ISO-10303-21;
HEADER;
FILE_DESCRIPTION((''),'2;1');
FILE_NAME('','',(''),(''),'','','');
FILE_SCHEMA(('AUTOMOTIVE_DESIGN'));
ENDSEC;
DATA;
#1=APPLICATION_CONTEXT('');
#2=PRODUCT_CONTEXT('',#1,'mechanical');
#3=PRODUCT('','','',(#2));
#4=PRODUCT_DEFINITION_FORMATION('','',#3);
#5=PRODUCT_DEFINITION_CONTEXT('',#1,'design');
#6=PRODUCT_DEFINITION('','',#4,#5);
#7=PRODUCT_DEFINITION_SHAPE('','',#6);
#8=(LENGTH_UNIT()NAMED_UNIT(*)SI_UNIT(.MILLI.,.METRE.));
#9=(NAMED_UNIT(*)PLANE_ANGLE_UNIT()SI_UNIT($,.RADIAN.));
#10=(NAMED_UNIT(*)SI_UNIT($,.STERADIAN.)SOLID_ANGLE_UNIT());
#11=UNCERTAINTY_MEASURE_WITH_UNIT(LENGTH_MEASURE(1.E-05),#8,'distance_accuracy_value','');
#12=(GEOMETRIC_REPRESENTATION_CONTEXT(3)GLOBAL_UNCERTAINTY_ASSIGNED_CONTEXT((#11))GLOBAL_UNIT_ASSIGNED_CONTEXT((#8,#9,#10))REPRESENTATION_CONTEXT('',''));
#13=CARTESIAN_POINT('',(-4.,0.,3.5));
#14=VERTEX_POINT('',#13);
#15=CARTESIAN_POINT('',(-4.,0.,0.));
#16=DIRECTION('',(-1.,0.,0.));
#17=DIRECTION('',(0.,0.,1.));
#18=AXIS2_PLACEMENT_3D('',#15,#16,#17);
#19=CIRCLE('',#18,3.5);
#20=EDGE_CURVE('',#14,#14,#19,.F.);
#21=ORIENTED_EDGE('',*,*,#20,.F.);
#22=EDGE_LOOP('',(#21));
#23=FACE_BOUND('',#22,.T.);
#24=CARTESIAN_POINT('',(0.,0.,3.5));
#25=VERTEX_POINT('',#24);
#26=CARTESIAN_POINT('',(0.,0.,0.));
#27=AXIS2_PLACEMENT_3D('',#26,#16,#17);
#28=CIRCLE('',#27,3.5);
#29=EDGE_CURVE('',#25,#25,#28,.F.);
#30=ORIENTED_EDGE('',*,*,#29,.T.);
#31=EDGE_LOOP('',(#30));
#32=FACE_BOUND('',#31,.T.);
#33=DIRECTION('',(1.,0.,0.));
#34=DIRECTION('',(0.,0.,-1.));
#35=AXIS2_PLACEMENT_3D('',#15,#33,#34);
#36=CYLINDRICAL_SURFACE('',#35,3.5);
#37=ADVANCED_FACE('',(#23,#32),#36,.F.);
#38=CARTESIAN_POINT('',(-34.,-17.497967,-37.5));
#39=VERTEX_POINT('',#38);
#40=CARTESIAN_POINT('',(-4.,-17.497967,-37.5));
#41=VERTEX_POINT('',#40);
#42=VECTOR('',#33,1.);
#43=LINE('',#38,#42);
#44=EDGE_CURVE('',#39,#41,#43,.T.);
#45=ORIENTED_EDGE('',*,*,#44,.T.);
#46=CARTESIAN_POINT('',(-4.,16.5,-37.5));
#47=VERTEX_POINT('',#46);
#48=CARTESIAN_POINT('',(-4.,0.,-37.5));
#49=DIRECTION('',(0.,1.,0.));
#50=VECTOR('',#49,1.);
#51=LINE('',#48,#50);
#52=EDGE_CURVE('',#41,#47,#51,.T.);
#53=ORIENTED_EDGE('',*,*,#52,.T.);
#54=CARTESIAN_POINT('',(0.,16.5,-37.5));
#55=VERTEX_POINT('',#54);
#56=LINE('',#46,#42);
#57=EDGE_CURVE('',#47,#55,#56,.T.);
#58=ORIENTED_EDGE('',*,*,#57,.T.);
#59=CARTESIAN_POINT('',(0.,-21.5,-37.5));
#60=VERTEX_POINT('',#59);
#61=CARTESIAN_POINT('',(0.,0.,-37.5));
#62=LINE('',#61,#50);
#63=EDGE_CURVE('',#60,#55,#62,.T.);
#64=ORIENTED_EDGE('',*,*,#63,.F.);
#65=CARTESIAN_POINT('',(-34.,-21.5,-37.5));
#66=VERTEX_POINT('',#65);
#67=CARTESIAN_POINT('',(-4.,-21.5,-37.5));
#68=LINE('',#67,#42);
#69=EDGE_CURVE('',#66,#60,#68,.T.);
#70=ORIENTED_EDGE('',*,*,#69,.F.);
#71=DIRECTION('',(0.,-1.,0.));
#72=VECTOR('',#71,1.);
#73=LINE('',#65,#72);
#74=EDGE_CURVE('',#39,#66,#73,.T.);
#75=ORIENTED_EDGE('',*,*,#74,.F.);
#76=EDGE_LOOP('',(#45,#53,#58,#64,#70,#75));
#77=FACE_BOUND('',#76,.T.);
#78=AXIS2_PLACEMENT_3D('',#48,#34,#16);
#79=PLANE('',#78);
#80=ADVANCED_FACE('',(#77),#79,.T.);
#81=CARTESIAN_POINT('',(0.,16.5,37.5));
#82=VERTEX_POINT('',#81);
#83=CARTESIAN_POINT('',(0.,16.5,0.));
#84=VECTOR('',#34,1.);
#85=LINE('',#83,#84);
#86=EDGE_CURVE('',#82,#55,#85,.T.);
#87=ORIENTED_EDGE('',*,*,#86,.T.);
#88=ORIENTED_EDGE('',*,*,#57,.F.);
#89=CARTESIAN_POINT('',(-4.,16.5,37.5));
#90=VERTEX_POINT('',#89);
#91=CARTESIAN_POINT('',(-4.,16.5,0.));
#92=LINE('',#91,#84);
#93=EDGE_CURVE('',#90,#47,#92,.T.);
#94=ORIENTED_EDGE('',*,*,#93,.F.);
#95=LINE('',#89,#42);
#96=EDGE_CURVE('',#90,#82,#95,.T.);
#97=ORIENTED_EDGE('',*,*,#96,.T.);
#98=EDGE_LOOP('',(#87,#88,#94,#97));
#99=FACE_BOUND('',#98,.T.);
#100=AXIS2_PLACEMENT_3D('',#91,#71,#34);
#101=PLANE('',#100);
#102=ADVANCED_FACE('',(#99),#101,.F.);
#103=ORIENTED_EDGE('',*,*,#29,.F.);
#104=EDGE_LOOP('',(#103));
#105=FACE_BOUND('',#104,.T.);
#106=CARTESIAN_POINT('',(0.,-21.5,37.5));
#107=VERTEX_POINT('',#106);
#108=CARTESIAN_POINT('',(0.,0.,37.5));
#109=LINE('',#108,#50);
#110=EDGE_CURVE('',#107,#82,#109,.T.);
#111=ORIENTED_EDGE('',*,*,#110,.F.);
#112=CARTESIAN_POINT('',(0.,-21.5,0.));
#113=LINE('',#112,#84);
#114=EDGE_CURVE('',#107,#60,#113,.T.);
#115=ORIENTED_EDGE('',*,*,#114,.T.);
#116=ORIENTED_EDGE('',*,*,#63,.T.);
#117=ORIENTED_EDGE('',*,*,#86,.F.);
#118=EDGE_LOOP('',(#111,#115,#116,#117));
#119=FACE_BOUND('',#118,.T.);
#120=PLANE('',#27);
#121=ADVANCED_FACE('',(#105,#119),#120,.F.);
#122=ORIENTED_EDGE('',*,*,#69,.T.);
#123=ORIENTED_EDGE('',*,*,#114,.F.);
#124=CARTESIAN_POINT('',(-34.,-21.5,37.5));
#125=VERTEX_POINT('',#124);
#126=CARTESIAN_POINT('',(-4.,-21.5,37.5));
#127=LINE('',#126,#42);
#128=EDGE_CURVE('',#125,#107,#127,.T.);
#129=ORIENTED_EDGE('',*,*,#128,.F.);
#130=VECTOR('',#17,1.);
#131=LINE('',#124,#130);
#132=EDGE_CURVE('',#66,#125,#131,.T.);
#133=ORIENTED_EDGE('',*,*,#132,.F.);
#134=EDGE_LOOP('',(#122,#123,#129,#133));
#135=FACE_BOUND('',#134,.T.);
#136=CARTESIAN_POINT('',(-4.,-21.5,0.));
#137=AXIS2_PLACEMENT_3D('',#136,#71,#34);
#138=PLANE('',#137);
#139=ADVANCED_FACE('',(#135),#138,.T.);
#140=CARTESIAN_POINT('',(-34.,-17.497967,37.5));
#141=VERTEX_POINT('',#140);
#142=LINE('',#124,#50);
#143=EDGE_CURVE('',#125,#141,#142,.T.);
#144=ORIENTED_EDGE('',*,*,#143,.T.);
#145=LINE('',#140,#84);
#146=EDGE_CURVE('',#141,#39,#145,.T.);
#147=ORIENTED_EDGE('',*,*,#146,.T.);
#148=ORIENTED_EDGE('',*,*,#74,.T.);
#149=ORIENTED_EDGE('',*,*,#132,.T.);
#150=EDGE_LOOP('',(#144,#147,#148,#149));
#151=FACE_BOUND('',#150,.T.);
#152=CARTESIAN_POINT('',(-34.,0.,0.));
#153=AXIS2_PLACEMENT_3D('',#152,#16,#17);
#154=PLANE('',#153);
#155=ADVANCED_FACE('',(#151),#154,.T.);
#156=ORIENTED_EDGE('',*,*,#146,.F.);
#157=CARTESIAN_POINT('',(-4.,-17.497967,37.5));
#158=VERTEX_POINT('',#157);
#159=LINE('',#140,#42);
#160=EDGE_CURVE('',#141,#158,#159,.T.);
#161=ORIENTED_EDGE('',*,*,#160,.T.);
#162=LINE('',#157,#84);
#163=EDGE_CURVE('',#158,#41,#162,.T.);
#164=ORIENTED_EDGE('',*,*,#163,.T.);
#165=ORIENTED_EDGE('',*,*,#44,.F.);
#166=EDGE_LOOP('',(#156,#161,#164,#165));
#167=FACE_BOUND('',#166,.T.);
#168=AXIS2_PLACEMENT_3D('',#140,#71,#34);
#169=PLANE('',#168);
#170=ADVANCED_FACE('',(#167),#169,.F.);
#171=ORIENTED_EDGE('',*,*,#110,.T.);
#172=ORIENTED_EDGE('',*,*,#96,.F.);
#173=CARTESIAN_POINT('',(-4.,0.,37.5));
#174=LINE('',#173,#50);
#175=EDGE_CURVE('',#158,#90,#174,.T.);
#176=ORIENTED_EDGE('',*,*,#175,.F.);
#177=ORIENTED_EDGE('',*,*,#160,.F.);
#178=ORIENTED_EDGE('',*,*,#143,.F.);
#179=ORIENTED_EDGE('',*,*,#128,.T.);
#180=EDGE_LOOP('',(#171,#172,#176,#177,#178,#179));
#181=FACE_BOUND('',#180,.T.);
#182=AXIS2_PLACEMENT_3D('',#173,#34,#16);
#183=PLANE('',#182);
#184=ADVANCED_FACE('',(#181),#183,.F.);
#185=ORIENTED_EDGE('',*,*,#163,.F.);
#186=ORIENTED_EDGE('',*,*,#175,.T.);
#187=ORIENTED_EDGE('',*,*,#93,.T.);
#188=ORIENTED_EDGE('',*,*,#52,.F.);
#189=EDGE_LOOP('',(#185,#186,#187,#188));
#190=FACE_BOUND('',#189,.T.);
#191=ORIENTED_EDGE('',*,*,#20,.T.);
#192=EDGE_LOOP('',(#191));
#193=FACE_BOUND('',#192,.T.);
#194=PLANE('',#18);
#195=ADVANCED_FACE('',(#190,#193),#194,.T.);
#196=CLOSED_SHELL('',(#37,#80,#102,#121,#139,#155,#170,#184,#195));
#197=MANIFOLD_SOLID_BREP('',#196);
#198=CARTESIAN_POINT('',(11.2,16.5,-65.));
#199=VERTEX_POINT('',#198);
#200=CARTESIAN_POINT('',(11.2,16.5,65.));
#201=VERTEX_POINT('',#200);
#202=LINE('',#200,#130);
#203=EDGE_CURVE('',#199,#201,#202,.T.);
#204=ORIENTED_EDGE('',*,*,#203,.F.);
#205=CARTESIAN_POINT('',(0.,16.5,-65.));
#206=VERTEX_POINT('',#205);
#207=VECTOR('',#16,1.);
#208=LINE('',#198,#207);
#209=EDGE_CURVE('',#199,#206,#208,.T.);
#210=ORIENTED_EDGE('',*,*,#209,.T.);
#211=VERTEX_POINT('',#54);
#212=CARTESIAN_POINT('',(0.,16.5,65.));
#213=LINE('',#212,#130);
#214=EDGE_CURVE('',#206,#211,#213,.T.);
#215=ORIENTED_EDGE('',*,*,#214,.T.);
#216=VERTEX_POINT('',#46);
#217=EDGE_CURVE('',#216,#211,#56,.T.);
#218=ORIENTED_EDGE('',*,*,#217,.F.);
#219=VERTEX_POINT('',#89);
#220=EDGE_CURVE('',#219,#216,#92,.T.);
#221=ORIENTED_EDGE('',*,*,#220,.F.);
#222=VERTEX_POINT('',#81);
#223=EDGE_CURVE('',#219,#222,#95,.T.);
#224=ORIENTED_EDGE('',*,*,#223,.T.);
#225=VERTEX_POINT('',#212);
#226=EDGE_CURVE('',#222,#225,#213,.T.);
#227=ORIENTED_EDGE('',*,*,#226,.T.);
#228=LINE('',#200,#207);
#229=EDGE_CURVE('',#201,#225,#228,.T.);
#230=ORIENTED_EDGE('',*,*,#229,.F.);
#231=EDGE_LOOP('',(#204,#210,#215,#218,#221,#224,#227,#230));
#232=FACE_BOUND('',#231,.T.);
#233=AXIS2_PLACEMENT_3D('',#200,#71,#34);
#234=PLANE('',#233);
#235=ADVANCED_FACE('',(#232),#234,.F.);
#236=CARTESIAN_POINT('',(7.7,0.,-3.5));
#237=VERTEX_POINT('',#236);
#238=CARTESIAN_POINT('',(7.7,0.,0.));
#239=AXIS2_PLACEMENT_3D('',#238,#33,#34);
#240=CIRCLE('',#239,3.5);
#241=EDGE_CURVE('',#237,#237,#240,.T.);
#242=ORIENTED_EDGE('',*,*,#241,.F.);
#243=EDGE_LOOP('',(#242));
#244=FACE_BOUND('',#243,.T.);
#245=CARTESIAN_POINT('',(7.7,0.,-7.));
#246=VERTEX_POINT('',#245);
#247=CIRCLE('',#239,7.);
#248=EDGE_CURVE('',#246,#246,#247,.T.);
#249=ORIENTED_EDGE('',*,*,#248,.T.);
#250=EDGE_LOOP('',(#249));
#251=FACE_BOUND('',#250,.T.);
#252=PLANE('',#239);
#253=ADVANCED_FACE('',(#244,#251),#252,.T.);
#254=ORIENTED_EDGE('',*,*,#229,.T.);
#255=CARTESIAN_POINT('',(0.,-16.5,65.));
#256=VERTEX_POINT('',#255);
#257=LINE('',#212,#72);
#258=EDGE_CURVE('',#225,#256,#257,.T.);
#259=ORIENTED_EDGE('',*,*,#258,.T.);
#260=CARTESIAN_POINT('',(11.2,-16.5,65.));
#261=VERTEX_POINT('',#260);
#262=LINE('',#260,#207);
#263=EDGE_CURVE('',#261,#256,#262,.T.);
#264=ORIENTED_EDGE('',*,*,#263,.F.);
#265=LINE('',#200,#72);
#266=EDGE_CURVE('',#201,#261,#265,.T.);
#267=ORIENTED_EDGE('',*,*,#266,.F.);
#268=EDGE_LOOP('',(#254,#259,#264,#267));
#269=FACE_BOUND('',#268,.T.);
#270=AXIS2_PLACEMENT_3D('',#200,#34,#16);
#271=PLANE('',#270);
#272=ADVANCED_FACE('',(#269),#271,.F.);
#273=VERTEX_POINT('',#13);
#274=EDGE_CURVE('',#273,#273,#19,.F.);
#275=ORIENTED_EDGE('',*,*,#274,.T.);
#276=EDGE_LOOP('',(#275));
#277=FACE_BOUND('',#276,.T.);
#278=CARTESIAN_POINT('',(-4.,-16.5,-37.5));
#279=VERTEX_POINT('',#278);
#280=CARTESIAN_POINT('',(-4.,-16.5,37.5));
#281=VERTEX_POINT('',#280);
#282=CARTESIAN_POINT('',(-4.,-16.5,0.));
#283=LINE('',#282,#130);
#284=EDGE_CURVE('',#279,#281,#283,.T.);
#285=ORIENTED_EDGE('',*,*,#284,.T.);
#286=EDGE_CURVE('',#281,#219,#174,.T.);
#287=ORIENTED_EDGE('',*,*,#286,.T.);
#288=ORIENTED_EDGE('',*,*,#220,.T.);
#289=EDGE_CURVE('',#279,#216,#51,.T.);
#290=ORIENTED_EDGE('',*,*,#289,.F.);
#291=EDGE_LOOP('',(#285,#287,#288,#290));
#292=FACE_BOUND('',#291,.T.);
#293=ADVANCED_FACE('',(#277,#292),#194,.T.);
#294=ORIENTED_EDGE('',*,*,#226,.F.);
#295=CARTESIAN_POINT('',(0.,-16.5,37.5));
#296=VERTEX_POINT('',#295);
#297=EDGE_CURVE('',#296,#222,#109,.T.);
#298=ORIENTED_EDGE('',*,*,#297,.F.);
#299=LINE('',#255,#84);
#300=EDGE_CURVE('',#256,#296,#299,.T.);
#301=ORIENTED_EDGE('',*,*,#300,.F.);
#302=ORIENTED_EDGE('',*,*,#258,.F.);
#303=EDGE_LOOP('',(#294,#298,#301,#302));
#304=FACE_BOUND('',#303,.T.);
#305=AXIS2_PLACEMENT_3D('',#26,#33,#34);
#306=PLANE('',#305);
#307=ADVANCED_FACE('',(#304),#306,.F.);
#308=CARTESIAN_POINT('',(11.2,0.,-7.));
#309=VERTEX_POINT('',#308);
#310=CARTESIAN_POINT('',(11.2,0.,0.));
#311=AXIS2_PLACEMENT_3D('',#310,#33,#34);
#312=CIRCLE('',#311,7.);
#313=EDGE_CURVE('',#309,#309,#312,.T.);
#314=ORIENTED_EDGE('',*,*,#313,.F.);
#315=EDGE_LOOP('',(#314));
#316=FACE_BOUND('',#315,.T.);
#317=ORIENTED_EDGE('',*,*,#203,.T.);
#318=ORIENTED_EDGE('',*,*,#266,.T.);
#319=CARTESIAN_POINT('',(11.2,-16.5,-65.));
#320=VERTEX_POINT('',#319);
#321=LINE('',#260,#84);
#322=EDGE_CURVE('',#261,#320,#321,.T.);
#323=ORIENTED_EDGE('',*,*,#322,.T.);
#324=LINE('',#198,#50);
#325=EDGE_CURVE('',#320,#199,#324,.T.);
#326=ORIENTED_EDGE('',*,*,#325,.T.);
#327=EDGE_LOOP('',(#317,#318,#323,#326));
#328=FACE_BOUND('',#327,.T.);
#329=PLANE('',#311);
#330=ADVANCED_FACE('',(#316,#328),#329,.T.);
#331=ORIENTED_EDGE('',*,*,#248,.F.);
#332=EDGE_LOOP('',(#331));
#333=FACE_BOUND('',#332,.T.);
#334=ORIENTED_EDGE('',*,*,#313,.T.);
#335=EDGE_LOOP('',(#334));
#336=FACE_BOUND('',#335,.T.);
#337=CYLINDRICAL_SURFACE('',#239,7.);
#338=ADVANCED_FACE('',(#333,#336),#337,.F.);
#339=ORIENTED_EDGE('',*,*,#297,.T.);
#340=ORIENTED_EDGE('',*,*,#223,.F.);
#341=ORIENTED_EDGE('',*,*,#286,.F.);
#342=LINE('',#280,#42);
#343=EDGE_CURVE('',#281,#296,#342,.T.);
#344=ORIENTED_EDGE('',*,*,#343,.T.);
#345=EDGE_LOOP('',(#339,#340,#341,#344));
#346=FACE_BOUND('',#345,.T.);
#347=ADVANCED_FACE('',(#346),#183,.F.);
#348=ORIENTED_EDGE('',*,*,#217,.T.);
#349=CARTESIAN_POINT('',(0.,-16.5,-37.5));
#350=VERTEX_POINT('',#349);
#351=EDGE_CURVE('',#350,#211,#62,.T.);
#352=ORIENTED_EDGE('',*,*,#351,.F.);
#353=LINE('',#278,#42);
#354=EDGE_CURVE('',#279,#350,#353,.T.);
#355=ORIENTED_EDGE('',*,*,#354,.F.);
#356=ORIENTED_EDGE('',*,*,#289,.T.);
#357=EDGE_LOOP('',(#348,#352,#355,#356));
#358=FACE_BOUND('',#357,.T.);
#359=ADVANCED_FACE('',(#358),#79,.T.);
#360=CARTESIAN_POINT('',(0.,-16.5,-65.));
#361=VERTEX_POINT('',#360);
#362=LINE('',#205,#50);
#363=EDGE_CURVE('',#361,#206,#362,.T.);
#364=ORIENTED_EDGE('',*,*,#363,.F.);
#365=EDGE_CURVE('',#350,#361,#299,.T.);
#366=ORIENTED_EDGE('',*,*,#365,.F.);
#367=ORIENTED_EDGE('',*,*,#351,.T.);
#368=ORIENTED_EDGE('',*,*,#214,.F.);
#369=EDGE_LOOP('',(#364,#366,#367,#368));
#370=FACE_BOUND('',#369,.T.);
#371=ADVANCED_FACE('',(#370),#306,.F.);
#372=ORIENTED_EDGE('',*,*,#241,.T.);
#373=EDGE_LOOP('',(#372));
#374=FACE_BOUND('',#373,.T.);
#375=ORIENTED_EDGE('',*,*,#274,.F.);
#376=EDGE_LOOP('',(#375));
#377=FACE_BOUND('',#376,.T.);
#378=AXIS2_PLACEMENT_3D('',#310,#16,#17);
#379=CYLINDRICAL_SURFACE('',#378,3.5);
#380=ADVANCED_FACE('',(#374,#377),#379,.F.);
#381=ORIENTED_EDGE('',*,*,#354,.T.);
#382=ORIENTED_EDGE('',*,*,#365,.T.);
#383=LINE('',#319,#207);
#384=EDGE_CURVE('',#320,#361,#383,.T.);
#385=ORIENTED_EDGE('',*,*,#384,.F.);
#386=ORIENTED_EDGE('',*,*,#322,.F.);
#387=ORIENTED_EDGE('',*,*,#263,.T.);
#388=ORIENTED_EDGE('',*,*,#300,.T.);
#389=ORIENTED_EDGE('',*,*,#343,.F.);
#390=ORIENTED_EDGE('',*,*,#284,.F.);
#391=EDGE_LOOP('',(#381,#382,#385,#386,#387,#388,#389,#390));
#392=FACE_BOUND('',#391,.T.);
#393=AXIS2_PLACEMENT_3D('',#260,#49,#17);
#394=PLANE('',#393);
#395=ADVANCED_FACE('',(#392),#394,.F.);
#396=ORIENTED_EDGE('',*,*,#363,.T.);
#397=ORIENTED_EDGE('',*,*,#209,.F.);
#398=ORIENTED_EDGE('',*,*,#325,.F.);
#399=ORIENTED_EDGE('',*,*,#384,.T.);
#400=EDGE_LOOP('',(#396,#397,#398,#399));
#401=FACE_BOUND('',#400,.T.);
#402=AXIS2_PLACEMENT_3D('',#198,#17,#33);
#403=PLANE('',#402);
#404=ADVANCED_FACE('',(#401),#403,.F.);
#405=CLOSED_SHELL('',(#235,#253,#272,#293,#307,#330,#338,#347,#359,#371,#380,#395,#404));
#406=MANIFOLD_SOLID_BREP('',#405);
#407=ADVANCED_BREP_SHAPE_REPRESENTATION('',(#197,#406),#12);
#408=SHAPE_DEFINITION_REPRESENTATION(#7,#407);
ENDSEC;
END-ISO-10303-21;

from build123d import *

# Parameters (mm, degrees)
SKETCH1_W           = 130
SKETCH1_H           = 33
SKETCH1_R           = 3.5
BOSS_EXTRUDE1_DEPTH = 11.2
SKETCH2_R           = 7
CUT_EXTRUDE1_DEPTH  = 3.5
BOSS_EXTRUDE2_START = 4
SKETCH3_W           = 75
SKETCH3_H           = 33
SKETCH3_R           = 3.5
BOSS_EXTRUDE2_DEPTH = 4
SKETCH3_3_W         = 75
SKETCH3_3_H         = 38
SKETCH3_3_R         = 3.5
BOSS_EXTRUDE4_DEPTH = 4
SKETCH6_W           = 75
SKETCH6_H           = 4.002033335
BOSS_EXTRUDE6_DEPTH = 30


with BuildPart() as part:
    # Sketch1 → Boss-Extrude1 (new body)
    with BuildSketch(Plane(origin=(0, 0, 0), x_dir=(0, 0, -1), z_dir=(1, 0, 0))):
        Rectangle(SKETCH1_W, SKETCH1_H)
        Circle(SKETCH1_R, mode=Mode.SUBTRACT)
    extrude(amount=BOSS_EXTRUDE1_DEPTH)

    # Sketch2 → Cut-Extrude1 (cut)
    with BuildSketch(Plane(origin=(11.2, 0, 0), x_dir=(0, 0, -1), z_dir=(1, 0, 0))):
        Circle(SKETCH2_R)
    extrude(amount=-CUT_EXTRUDE1_DEPTH, mode=Mode.SUBTRACT)

    # Sketch3 → Boss-Extrude2 (add)
    with BuildSketch(Plane.ZY.offset(BOSS_EXTRUDE2_START)):
        Rectangle(SKETCH3_W, SKETCH3_H)
        Circle(SKETCH3_R, mode=Mode.SUBTRACT)
    extrude(amount=-BOSS_EXTRUDE2_DEPTH)


with BuildPart() as body_2:
    # Sketch3<3> → Boss-Extrude4 (new body)
    with BuildSketch(Plane.ZY):
        with Locations((0, -2.5)):
            Rectangle(SKETCH3_3_W, SKETCH3_3_H)
        Circle(SKETCH3_3_R, mode=Mode.SUBTRACT)
    extrude(amount=BOSS_EXTRUDE4_DEPTH)

    # Sketch6 → Boss-Extrude6 (add)
    with BuildSketch(Plane.ZY.offset(4)):
        with Locations((0, -19.498983332)):
            Rectangle(SKETCH6_W, SKETCH6_H)
    extrude(amount=BOSS_EXTRUDE6_DEPTH)


solid = Compound([part.part, body_2.part])
